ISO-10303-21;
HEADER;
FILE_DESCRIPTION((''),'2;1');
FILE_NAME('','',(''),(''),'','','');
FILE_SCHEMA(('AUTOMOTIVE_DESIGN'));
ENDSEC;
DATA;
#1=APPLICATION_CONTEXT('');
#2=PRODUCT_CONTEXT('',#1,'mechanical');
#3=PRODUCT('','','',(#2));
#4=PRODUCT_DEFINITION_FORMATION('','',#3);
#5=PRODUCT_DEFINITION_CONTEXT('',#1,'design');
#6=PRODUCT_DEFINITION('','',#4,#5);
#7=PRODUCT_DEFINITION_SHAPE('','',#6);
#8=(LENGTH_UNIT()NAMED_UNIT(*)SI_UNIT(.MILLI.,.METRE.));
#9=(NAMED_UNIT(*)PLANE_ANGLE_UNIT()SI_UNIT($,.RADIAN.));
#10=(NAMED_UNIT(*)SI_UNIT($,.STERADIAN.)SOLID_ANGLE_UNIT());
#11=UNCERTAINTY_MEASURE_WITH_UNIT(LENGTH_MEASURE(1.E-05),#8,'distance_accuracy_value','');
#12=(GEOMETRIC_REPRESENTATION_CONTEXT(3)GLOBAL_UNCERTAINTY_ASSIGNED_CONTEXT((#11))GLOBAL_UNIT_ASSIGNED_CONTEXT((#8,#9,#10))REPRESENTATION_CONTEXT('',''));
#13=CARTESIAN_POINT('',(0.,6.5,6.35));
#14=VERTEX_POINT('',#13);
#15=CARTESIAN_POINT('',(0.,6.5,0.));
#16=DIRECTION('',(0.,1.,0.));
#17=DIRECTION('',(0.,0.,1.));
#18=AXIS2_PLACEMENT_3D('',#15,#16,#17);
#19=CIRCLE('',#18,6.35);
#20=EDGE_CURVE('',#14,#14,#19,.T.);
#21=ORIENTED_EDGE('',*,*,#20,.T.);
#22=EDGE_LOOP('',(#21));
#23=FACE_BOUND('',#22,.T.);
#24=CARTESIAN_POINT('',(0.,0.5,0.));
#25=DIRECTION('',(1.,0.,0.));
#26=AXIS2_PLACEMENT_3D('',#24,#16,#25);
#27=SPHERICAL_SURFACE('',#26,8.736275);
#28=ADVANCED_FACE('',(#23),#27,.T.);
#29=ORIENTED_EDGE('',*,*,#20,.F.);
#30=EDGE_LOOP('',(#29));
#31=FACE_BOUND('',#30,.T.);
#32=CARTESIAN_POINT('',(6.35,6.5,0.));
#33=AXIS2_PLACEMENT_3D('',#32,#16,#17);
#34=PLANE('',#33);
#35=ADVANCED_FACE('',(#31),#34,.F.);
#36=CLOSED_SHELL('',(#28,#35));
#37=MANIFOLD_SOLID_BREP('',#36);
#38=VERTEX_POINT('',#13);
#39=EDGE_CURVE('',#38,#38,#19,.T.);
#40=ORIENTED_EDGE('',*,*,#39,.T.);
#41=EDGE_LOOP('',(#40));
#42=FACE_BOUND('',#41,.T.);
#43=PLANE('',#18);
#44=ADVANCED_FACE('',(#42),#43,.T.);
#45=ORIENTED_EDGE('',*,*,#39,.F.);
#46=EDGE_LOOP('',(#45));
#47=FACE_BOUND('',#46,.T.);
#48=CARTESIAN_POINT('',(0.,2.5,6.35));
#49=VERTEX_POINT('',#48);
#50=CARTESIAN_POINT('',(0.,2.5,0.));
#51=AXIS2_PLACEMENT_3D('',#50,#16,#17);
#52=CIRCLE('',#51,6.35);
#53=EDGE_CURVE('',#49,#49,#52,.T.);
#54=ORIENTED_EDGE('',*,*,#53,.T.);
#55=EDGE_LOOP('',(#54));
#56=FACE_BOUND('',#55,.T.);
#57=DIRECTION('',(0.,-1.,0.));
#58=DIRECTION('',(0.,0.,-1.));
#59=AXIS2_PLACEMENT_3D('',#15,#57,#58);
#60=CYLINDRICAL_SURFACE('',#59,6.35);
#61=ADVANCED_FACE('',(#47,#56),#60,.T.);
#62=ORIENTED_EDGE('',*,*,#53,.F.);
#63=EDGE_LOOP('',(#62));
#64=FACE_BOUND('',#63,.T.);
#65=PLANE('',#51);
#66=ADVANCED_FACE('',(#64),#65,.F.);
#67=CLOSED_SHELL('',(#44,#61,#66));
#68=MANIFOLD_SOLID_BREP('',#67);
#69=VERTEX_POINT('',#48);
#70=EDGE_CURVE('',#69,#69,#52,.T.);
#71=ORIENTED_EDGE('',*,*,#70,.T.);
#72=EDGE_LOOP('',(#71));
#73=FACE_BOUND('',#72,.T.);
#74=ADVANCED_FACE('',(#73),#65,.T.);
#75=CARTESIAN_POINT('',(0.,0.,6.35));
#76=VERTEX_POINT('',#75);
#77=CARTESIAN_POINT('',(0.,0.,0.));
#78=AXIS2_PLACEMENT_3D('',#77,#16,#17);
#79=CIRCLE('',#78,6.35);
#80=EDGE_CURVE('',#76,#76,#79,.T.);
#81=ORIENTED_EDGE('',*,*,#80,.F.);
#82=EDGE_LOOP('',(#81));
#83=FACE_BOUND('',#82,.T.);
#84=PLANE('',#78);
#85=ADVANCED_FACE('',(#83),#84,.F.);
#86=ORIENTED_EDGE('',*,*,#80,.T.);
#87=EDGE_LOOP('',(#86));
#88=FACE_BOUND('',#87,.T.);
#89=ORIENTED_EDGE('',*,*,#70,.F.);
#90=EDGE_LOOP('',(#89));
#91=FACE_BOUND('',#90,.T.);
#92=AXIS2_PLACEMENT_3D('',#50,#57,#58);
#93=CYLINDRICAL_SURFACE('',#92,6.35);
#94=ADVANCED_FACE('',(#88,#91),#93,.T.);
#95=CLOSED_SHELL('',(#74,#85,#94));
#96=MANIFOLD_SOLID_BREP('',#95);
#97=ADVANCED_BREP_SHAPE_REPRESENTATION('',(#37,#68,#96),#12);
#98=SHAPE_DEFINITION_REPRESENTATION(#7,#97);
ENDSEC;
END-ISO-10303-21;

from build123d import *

# Parameters (mm, degrees)
SKETCH1_R           = 6.35
BOSS_EXTRUDE1_DEPTH = 2.5
SKETCH2_R           = 6.35
BOSS_EXTRUDE2_DEPTH = 4


with BuildPart() as part:
    # Sketch1 → Boss-Extrude1 (new body)
    with BuildSketch(Plane(origin=(0, 0, 0), x_dir=(1, 0, 0), z_dir=(0, 1, 0))):
        with Locations(Location((0, 0, 0), (0, 0, 270))):  # turned: the seam where the file's is
            Circle(SKETCH1_R)
    extrude(amount=BOSS_EXTRUDE1_DEPTH)


with BuildPart() as body_2:
    # Sketch2 → Boss-Extrude2 (new body)
    with BuildSketch(Plane(origin=(0, 2.5, 0), x_dir=(1, 0, 0), z_dir=(0, 1, 0))):
        with Locations(Location((0, 0, 0), (0, 0, 270))):  # turned: the seam where the file's is
            Circle(SKETCH2_R)
    extrude(amount=BOSS_EXTRUDE2_DEPTH)


with BuildPart() as body_3:
    # Sketch3 → Revolve1 (revolve)
    with BuildSketch(Plane.XY, mode=Mode.PRIVATE) as revolve1_sk:
        with BuildLine():
            Line((6.35, 6.5), (0, 6.5))
            Line((0, 6.5), (0, 9.23627495))
            ThreePointArc((0, 9.23627495), (3.457227958, 8.523096338), (6.35, 6.5))
        make_face()
    revolve(revolve1_sk.sketch.rotate(Axis((0, 8.421453096, 0), (0, -1, 0)), 90), axis=Axis((0, 8.421453096, 0), (0, -1, 0)))  # turned: the seam where the file's is


solid = Compound([part.part, body_2.part, body_3.part])
